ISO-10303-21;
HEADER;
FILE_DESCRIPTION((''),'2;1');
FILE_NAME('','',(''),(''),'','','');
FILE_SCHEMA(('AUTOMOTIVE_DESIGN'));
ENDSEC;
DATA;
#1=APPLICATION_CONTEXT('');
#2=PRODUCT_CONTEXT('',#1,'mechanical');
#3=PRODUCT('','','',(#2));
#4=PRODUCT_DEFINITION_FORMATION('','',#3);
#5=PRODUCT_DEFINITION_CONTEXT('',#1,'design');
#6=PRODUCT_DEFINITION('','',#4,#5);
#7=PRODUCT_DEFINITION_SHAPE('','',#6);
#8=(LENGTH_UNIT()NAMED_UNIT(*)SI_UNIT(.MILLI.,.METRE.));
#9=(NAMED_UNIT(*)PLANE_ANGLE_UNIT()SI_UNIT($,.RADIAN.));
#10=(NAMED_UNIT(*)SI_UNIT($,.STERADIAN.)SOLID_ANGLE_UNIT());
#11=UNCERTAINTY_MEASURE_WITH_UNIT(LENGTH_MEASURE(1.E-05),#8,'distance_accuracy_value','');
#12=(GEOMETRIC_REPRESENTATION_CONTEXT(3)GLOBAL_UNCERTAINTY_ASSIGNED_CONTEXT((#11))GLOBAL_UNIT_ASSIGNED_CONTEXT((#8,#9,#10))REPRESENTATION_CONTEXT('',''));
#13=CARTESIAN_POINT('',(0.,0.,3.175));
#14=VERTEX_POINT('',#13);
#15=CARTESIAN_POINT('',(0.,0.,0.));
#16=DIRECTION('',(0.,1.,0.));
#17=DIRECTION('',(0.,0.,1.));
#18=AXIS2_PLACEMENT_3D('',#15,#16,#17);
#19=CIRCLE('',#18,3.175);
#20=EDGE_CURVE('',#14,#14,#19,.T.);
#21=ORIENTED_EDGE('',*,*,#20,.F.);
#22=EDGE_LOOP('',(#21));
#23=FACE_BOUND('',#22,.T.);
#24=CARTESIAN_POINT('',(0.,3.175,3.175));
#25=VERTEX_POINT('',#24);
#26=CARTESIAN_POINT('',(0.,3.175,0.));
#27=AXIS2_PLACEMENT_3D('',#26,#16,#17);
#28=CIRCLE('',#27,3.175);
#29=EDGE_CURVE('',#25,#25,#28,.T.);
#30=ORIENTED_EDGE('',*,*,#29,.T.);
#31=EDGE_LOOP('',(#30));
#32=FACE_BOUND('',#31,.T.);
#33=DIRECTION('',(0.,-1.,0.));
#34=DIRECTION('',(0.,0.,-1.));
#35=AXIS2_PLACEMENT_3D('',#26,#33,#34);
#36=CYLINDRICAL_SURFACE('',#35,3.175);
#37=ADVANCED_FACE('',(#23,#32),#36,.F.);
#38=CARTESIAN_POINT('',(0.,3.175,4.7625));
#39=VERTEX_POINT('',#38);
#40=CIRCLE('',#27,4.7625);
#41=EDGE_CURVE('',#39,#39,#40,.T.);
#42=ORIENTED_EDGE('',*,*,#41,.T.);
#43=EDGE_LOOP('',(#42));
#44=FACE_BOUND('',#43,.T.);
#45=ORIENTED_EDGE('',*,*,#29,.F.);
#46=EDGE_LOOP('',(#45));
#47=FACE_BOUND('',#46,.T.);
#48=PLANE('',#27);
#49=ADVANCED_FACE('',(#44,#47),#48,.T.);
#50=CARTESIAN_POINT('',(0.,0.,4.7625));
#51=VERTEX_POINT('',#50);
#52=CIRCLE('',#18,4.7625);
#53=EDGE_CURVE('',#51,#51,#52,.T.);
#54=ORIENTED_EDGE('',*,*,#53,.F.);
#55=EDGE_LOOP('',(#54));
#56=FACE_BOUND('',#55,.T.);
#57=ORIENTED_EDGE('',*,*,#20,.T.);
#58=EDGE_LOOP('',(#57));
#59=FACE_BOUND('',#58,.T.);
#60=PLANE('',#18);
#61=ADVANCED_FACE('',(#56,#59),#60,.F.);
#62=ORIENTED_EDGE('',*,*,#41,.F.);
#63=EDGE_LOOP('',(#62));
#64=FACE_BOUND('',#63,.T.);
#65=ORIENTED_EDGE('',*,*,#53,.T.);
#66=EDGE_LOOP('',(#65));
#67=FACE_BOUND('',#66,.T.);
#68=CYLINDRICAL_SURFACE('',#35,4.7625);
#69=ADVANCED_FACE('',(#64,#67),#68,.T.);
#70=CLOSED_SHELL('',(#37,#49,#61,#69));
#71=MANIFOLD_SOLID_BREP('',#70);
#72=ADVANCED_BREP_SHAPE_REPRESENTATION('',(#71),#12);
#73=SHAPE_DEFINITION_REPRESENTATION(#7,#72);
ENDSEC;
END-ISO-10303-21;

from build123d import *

# Parameters (mm, degrees)
SKETCH1_R           = 4.7625
SKETCH1_R_2         = 3.175
BOSS_EXTRUDE1_DEPTH = 3.175


with BuildPart() as part:
    # Sketch1 → Boss-Extrude1 (new body)
    with BuildSketch(Plane(origin=(0, 0, 0), x_dir=(1, 0, 0), z_dir=(0, 1, 0))):
        Circle(SKETCH1_R)
        Circle(SKETCH1_R_2, mode=Mode.SUBTRACT)
    extrude(amount=BOSS_EXTRUDE1_DEPTH)


solid = part.part
